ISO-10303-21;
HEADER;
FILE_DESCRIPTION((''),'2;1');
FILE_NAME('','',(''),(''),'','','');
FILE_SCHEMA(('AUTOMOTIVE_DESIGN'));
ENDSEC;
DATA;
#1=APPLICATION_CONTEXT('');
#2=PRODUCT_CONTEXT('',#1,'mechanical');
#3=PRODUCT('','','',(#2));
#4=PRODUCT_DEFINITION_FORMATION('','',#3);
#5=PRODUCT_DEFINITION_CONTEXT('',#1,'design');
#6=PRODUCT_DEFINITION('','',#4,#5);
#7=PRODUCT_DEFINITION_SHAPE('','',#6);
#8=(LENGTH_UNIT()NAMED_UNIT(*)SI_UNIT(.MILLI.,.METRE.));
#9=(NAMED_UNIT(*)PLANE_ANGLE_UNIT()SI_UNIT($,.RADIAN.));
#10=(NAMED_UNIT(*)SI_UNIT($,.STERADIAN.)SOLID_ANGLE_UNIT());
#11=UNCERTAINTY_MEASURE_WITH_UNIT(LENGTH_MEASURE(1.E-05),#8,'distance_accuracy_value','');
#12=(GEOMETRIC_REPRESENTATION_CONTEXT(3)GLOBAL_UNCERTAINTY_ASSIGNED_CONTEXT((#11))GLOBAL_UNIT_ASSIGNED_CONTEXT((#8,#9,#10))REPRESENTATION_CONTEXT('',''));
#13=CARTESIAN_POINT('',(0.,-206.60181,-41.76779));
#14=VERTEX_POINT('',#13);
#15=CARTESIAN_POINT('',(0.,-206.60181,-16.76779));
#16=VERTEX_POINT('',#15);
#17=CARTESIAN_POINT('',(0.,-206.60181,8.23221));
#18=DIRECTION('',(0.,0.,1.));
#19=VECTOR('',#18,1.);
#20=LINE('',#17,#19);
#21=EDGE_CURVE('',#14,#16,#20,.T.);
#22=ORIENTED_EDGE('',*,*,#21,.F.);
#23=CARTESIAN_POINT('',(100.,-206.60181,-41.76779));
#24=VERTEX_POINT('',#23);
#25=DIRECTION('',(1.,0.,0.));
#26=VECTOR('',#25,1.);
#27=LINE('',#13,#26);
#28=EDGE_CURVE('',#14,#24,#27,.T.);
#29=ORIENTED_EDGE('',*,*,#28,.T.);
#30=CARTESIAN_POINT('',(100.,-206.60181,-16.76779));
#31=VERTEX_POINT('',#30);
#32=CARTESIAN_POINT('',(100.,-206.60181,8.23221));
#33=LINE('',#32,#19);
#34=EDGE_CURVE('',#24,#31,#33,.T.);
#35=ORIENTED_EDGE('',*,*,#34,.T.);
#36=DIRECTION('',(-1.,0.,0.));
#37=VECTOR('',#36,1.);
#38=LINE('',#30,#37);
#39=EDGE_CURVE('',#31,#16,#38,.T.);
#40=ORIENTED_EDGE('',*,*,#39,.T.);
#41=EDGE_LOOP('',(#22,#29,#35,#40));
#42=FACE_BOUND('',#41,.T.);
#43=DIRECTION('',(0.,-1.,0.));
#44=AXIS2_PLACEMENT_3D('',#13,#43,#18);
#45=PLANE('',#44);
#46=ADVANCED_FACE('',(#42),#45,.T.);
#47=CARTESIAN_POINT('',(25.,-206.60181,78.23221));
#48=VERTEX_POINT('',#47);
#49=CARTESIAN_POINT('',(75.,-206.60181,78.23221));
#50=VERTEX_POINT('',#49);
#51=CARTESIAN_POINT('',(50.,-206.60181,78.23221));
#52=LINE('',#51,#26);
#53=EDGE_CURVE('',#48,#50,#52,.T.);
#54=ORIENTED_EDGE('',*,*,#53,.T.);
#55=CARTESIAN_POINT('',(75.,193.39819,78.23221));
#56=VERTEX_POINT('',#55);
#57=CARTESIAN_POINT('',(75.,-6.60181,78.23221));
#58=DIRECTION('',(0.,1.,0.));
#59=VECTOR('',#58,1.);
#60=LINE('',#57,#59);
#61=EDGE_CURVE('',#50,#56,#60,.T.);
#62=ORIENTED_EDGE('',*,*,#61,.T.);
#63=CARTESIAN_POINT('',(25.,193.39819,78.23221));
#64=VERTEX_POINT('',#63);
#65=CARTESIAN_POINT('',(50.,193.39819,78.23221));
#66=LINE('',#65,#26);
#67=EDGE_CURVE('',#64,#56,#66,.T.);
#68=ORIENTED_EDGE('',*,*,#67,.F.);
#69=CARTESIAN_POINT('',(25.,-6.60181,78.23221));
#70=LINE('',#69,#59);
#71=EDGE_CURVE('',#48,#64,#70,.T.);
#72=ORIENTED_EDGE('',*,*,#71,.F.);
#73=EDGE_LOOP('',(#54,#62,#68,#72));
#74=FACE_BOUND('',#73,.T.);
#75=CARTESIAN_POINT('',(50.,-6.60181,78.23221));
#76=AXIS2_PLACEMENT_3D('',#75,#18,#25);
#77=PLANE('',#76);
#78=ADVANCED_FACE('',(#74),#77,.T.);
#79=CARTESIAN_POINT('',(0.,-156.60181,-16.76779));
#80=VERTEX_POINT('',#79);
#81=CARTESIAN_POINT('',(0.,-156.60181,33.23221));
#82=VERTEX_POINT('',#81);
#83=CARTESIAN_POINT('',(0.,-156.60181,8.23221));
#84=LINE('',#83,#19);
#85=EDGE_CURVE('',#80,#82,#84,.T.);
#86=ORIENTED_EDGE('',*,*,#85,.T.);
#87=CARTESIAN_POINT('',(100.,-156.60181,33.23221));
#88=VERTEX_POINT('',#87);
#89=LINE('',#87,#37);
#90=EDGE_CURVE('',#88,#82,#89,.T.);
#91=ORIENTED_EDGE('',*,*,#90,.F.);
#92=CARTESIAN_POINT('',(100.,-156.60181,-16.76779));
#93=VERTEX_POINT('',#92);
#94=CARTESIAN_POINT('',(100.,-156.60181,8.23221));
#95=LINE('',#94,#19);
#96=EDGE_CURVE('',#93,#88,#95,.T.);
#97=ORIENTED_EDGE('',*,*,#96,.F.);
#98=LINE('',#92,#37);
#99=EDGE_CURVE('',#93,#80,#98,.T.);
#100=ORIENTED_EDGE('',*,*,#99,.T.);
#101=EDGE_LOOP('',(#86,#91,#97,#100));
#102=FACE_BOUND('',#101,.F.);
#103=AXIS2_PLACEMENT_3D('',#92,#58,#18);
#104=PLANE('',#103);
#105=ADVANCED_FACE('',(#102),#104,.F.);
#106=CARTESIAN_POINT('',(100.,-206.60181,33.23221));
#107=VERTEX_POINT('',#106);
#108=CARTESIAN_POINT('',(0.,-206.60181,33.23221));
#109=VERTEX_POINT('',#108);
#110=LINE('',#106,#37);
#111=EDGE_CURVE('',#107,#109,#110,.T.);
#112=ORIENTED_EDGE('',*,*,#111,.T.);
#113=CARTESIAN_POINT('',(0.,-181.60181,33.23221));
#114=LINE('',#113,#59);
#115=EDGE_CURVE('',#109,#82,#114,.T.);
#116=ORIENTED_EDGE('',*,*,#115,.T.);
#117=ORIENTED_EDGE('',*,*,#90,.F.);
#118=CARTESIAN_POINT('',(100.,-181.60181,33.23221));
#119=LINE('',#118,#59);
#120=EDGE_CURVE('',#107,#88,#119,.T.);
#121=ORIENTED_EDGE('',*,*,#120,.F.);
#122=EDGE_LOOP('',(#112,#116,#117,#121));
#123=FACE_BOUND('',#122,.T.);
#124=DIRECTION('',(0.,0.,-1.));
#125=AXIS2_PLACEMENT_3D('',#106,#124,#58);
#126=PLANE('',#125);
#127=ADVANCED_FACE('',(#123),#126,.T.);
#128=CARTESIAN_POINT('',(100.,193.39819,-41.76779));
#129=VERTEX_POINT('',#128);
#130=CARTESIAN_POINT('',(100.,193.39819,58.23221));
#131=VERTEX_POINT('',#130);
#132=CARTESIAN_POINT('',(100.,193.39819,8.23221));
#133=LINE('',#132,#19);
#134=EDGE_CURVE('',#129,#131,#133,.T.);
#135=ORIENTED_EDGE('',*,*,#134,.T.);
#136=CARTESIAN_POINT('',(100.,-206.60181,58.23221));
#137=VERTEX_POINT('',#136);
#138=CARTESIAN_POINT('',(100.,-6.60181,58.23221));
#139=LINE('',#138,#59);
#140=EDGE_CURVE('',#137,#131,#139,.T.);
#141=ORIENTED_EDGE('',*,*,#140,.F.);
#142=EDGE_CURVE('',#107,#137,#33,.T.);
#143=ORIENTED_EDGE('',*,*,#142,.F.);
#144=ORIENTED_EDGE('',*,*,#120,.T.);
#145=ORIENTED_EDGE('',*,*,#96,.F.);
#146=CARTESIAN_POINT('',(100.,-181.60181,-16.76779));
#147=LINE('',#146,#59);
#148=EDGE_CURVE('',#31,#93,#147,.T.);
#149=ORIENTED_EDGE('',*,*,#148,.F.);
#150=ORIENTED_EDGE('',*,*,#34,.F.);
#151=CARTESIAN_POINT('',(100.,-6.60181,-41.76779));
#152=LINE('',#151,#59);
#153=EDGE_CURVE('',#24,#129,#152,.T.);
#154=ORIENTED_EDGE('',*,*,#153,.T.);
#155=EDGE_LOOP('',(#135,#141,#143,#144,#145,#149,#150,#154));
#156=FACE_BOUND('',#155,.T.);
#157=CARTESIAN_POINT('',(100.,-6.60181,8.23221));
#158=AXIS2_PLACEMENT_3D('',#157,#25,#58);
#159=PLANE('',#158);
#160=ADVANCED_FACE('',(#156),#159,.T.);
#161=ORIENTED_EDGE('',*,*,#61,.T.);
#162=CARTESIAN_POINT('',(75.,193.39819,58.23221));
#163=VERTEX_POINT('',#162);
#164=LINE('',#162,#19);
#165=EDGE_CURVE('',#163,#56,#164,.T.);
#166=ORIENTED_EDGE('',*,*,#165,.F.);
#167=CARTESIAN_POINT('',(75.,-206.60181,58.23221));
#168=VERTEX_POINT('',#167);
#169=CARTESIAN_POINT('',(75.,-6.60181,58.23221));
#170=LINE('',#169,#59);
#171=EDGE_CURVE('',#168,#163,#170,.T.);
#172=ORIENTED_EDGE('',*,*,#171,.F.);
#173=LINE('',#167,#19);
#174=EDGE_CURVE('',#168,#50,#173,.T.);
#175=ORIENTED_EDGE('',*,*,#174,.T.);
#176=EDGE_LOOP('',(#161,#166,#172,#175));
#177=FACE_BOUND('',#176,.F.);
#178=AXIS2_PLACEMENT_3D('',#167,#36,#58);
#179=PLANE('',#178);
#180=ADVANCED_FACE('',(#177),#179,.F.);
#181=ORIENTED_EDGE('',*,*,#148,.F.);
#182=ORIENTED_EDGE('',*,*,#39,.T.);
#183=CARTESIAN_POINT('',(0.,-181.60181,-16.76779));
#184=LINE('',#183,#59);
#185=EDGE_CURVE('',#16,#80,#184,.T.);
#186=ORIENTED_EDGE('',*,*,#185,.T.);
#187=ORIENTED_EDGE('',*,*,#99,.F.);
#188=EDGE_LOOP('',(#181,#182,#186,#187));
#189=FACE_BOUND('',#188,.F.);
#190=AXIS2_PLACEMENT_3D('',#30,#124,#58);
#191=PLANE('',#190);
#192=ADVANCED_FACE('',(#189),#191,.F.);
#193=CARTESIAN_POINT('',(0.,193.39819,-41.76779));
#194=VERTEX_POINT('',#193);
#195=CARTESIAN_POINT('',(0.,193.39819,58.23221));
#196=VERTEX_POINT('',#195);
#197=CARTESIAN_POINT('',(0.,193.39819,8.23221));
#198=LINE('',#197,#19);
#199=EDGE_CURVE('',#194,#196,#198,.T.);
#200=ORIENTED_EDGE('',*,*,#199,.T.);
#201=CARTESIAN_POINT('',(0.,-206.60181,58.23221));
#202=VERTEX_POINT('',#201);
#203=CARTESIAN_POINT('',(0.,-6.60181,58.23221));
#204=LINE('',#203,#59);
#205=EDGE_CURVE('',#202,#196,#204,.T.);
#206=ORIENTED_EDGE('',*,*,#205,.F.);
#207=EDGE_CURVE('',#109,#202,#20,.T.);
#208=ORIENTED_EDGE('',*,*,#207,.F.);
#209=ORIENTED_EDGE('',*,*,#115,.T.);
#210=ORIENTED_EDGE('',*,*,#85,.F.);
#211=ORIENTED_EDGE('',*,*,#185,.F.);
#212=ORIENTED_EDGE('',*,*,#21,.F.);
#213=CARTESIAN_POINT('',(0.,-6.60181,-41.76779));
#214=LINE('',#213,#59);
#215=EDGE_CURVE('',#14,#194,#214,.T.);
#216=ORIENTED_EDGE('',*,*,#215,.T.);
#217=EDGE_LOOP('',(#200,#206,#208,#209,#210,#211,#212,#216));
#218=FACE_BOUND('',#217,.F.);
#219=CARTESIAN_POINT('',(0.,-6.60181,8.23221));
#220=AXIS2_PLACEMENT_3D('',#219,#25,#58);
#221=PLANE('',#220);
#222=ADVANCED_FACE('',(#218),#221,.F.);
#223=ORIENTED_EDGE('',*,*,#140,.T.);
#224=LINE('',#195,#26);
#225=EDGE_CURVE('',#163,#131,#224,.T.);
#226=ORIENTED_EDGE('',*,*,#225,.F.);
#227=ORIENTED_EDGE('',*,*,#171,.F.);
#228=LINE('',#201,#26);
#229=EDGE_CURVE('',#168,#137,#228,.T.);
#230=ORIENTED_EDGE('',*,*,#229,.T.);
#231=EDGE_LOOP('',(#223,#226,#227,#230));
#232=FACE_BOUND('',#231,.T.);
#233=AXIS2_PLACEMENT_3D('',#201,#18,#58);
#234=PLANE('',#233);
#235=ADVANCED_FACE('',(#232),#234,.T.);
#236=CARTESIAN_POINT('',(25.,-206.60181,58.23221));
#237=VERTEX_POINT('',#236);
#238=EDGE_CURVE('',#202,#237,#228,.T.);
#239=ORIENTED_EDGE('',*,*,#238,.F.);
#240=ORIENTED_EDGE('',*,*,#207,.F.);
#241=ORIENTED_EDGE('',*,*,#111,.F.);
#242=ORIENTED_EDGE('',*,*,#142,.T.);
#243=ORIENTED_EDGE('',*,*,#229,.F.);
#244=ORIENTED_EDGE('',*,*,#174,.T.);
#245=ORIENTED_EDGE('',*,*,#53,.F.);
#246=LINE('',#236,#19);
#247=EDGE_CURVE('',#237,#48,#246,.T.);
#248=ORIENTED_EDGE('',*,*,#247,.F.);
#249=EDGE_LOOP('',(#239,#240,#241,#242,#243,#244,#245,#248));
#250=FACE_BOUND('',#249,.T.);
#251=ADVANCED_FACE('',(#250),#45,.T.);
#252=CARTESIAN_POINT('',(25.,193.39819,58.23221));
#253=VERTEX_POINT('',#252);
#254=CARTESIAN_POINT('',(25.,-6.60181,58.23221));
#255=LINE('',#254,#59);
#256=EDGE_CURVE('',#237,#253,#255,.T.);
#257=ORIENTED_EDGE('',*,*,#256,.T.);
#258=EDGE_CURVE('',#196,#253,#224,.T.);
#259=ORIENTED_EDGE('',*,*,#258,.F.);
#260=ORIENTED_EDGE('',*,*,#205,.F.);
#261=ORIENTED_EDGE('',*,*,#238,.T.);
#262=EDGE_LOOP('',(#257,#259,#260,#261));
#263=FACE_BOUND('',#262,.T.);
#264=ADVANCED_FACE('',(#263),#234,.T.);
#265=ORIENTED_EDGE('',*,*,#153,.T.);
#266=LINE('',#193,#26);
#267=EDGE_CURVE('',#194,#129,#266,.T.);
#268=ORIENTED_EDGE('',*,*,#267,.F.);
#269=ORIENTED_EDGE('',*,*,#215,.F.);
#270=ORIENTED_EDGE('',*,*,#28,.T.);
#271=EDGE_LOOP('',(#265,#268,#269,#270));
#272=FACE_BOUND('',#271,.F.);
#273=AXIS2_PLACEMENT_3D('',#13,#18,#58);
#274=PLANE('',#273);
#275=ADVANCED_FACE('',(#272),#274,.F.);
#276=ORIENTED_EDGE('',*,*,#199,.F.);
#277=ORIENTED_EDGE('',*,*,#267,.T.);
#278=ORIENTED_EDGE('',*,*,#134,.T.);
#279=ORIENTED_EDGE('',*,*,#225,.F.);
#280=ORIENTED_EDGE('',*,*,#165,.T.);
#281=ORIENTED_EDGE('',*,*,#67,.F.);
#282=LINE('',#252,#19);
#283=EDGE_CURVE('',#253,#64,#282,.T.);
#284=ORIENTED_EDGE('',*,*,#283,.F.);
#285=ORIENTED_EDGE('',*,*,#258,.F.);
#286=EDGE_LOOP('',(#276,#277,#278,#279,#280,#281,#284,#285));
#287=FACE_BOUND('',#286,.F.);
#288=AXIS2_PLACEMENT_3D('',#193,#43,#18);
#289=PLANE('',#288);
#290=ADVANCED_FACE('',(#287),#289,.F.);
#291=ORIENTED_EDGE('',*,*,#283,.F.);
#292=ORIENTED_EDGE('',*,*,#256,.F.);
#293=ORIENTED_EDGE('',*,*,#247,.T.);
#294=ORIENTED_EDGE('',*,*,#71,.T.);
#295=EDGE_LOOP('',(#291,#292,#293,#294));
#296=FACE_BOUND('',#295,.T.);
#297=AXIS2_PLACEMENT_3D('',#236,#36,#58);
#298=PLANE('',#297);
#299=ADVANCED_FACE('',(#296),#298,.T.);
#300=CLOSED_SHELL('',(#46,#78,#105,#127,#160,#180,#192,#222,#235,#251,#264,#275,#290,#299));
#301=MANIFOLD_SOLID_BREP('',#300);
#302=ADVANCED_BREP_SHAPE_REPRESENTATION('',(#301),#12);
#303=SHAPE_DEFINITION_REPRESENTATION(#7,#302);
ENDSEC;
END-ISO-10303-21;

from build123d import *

# Parameters (mm, degrees)
F0_W     = 400
F0_H     = 100
F1_DEPTH = 100
F2_W     = 50
F2_H     = 50
F3_DEPTH = 100
F4_W     = 50
F4_H     = 400
F5_DEPTH = 20


with BuildPart() as f1:
    # F0 (on Right) → F1 (new body)
    with BuildSketch(Plane.YZ):
        with Locations((-6.60181, 8.23221)):
            Rectangle(F0_W, F0_H)
    extrude(amount=F1_DEPTH)

    # F2 (on face) → F3 (cut)
    with BuildSketch(Plane.YZ.offset(100)):
        with Locations((-181.60181, 8.23221)):
            Rectangle(F2_W, F2_H)
    extrude(amount=-F3_DEPTH, mode=Mode.SUBTRACT)

    # F4 (on face) → F5 (join)
    with BuildSketch(Plane.XY.offset(58.23221)):
        with Locations((50, -6.60181)):
            Rectangle(F4_W, F4_H)
    extrude(amount=F5_DEPTH)


solid = f1.part
